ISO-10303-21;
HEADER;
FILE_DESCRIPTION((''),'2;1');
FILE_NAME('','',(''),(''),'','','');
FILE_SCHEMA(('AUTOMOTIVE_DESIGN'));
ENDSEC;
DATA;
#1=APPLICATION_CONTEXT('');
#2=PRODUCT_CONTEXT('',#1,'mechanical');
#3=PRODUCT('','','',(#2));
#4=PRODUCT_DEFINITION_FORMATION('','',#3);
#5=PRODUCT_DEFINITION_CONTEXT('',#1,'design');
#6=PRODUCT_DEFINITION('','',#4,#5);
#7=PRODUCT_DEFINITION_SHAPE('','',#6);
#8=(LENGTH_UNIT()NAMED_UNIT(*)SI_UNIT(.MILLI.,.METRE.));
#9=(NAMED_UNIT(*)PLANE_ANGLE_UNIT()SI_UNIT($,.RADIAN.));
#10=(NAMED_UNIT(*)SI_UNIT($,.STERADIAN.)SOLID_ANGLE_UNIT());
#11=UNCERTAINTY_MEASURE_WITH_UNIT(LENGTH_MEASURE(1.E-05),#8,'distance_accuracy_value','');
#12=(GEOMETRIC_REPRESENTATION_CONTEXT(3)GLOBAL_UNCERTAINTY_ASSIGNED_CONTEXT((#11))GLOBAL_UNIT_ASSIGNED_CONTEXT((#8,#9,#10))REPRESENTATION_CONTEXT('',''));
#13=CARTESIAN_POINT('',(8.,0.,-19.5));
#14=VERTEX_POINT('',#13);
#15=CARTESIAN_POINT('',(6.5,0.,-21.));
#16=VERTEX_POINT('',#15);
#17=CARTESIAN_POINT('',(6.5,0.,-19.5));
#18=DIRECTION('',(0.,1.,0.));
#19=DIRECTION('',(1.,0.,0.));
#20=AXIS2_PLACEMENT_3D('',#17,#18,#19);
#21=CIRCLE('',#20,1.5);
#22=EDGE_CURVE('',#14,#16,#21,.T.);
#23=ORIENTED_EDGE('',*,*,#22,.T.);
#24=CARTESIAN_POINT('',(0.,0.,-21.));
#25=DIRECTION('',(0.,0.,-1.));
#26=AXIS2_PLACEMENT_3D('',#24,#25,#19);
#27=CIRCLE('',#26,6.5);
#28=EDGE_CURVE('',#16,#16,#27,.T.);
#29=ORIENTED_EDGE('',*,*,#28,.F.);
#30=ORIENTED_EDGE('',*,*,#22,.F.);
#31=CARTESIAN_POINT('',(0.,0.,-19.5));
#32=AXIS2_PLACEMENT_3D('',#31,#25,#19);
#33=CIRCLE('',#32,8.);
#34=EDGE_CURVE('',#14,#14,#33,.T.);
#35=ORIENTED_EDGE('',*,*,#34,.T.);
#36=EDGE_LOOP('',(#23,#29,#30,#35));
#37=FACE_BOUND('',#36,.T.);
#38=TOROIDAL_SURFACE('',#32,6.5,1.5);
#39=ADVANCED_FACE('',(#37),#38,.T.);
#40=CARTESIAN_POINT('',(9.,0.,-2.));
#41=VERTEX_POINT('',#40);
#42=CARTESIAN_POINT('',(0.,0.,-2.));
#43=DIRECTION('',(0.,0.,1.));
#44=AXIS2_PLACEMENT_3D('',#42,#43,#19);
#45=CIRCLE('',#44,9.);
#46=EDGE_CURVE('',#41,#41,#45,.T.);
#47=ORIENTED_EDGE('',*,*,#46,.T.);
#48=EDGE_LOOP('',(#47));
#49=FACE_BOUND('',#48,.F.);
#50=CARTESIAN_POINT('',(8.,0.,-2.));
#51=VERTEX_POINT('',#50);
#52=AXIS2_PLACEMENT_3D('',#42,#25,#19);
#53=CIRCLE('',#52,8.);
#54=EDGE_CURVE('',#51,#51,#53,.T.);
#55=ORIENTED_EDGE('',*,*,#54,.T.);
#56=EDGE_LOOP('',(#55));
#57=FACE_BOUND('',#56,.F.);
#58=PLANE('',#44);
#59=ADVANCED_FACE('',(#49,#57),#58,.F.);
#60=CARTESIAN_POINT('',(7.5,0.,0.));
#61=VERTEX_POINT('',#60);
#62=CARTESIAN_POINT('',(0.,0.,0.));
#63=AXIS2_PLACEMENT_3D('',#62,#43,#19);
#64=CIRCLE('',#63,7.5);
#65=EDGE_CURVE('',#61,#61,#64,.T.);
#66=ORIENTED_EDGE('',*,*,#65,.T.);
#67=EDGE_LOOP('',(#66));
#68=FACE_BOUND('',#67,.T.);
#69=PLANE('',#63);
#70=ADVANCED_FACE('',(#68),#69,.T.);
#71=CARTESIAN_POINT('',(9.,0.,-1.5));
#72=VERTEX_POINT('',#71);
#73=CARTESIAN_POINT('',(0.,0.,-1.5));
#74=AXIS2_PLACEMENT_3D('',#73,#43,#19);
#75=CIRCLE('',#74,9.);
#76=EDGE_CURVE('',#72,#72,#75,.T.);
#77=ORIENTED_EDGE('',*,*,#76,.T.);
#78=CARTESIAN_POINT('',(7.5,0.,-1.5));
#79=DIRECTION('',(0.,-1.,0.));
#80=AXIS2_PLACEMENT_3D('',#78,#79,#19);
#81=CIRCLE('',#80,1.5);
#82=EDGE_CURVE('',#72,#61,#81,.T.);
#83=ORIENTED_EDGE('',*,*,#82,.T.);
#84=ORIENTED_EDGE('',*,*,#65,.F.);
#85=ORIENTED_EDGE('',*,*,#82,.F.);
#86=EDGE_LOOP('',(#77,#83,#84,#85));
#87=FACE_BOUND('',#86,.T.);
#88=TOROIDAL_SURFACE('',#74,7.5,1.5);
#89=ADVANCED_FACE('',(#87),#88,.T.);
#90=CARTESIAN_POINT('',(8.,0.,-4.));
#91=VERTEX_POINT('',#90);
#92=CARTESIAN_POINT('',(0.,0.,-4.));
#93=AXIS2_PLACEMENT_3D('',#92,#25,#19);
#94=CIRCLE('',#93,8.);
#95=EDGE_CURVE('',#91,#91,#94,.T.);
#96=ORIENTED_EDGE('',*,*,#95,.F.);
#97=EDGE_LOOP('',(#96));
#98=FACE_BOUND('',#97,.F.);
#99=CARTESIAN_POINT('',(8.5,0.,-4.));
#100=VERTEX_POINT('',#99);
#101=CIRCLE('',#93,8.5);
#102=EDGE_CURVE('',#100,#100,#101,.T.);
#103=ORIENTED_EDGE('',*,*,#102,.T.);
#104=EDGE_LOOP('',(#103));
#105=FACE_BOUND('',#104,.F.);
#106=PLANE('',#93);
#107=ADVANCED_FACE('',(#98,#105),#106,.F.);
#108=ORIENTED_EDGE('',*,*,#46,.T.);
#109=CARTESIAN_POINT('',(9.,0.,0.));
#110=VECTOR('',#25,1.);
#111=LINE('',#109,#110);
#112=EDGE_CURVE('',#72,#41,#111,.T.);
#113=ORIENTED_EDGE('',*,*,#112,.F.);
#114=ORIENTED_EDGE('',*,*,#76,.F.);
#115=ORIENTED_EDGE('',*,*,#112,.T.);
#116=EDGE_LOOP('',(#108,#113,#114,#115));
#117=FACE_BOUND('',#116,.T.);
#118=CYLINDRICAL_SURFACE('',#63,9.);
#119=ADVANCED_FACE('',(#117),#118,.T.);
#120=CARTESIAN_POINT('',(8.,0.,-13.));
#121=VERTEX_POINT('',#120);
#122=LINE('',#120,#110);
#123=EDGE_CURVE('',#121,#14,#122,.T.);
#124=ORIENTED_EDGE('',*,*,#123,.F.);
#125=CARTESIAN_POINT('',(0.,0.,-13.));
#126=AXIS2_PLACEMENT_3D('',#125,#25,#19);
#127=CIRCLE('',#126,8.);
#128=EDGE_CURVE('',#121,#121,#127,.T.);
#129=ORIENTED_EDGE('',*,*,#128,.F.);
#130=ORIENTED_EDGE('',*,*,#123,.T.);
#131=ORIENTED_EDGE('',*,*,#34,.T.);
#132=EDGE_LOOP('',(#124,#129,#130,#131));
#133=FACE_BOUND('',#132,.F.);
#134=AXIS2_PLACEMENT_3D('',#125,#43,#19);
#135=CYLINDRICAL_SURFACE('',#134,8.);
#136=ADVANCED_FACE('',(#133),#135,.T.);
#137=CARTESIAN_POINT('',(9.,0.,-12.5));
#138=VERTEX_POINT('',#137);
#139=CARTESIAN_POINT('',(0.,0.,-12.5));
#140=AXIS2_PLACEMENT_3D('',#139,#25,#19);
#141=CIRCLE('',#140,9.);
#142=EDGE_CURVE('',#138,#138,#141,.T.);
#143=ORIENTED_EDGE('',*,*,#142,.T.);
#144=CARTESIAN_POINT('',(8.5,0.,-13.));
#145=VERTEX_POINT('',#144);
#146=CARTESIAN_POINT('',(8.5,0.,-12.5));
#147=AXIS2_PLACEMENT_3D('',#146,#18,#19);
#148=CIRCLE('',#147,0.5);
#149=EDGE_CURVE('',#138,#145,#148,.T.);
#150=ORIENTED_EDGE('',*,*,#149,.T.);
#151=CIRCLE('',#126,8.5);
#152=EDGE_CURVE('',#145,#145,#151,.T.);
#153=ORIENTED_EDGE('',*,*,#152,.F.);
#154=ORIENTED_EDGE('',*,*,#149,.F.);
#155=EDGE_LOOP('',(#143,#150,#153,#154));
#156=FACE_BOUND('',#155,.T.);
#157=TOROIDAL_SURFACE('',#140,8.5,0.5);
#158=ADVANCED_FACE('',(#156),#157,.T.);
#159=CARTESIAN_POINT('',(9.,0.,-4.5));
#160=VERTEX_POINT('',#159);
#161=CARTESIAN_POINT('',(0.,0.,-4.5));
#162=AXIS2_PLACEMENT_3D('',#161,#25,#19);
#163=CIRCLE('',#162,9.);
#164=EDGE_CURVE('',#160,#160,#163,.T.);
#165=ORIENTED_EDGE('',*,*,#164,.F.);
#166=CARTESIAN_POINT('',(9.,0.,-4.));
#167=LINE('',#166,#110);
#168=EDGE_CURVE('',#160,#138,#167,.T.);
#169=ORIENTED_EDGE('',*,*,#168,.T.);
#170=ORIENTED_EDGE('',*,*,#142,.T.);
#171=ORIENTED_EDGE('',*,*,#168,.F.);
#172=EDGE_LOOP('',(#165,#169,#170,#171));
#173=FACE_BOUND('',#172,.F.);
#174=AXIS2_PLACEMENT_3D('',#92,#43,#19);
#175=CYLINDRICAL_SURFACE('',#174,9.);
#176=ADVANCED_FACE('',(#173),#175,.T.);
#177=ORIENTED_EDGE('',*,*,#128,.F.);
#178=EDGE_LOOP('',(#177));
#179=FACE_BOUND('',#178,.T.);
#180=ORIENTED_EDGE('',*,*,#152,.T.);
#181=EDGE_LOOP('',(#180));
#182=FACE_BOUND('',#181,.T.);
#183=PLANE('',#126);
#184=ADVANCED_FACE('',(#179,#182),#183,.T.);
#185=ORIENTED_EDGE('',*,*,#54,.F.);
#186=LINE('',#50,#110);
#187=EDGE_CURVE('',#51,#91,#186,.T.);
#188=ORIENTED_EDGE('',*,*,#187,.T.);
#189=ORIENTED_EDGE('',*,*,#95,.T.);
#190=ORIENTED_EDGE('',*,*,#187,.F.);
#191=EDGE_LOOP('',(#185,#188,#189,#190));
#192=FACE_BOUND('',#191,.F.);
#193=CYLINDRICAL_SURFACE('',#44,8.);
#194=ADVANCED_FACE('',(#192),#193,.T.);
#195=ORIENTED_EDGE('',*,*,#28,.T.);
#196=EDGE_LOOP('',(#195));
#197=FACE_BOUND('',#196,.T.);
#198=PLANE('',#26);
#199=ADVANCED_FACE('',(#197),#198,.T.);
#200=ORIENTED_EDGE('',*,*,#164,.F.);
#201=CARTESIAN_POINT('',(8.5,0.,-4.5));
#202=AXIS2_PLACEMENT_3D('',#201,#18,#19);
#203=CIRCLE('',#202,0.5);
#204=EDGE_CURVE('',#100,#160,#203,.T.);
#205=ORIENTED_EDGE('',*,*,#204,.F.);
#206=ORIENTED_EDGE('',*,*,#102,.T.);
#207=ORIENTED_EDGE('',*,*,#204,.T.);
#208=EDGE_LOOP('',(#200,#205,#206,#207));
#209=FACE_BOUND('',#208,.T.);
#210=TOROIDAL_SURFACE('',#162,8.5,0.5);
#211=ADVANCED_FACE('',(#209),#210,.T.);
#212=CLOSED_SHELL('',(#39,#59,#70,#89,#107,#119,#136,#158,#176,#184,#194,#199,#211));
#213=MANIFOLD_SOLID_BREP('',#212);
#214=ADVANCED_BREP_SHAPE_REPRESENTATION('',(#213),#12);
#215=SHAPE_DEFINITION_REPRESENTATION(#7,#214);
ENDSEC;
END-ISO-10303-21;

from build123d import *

# Parameters (mm, degrees)
SKETCH_R     = 9
PAD_DEPTH    = 2
SKETCH001_R  = 8
PAD001_DEPTH = 2
SKETCH002_R  = 9
PAD002_DEPTH = 9
SKETCH003_R  = 8
PAD003_DEPTH = 8
FILLET_R     = 1.5
FILLET001_R  = 0.5
FILLET002_R  = 1.5


with BuildPart() as part:
    # Sketch → Pad (new body)
    with BuildSketch(Plane.XY):
        Circle(SKETCH_R)
    extrude(amount=-PAD_DEPTH)

    # Sketch001 (on Face3 of Pad) → Pad001 (join)
    with BuildSketch(Plane(origin=(0, 0, -2), x_dir=(1, 0, 0), z_dir=(0, 0, -1))):
        Circle(SKETCH001_R)
    extrude(amount=PAD001_DEPTH)

    # Sketch002 (on Face5 of Pad001) → Pad002 (join)
    with BuildSketch(Plane(origin=(0, 0, -4), x_dir=(1, 0, 0), z_dir=(0, 0, -1))):
        Circle(SKETCH002_R)
    extrude(amount=PAD002_DEPTH)

    # Sketch003 (on Face7 of Pad002) → Pad003 (join)
    with BuildSketch(Plane(origin=(0, 0, -13), x_dir=(1, 0, 0), z_dir=(0, 0, -1))):
        Circle(SKETCH003_R)
    extrude(amount=PAD003_DEPTH)

    # Fillet
    fillet_edges = [part.edges().sort_by_distance(p)[0] for p in [
        (-9, 0, 0),
    ]]
    fillet(fillet_edges, radius=FILLET_R)

    # Fillet001
    fillet001_edges = [part.edges().sort_by_distance(p)[0] for p in [
        (-9, 0, -4),
        (-9, 0, -13),
    ]]
    fillet(fillet001_edges, radius=FILLET001_R)

    # Fillet002
    fillet002_edges = [part.edges().sort_by_distance(p)[0] for p in [
        (-8, 0, -21),
    ]]
    fillet(fillet002_edges, radius=FILLET002_R)


solid = part.part
